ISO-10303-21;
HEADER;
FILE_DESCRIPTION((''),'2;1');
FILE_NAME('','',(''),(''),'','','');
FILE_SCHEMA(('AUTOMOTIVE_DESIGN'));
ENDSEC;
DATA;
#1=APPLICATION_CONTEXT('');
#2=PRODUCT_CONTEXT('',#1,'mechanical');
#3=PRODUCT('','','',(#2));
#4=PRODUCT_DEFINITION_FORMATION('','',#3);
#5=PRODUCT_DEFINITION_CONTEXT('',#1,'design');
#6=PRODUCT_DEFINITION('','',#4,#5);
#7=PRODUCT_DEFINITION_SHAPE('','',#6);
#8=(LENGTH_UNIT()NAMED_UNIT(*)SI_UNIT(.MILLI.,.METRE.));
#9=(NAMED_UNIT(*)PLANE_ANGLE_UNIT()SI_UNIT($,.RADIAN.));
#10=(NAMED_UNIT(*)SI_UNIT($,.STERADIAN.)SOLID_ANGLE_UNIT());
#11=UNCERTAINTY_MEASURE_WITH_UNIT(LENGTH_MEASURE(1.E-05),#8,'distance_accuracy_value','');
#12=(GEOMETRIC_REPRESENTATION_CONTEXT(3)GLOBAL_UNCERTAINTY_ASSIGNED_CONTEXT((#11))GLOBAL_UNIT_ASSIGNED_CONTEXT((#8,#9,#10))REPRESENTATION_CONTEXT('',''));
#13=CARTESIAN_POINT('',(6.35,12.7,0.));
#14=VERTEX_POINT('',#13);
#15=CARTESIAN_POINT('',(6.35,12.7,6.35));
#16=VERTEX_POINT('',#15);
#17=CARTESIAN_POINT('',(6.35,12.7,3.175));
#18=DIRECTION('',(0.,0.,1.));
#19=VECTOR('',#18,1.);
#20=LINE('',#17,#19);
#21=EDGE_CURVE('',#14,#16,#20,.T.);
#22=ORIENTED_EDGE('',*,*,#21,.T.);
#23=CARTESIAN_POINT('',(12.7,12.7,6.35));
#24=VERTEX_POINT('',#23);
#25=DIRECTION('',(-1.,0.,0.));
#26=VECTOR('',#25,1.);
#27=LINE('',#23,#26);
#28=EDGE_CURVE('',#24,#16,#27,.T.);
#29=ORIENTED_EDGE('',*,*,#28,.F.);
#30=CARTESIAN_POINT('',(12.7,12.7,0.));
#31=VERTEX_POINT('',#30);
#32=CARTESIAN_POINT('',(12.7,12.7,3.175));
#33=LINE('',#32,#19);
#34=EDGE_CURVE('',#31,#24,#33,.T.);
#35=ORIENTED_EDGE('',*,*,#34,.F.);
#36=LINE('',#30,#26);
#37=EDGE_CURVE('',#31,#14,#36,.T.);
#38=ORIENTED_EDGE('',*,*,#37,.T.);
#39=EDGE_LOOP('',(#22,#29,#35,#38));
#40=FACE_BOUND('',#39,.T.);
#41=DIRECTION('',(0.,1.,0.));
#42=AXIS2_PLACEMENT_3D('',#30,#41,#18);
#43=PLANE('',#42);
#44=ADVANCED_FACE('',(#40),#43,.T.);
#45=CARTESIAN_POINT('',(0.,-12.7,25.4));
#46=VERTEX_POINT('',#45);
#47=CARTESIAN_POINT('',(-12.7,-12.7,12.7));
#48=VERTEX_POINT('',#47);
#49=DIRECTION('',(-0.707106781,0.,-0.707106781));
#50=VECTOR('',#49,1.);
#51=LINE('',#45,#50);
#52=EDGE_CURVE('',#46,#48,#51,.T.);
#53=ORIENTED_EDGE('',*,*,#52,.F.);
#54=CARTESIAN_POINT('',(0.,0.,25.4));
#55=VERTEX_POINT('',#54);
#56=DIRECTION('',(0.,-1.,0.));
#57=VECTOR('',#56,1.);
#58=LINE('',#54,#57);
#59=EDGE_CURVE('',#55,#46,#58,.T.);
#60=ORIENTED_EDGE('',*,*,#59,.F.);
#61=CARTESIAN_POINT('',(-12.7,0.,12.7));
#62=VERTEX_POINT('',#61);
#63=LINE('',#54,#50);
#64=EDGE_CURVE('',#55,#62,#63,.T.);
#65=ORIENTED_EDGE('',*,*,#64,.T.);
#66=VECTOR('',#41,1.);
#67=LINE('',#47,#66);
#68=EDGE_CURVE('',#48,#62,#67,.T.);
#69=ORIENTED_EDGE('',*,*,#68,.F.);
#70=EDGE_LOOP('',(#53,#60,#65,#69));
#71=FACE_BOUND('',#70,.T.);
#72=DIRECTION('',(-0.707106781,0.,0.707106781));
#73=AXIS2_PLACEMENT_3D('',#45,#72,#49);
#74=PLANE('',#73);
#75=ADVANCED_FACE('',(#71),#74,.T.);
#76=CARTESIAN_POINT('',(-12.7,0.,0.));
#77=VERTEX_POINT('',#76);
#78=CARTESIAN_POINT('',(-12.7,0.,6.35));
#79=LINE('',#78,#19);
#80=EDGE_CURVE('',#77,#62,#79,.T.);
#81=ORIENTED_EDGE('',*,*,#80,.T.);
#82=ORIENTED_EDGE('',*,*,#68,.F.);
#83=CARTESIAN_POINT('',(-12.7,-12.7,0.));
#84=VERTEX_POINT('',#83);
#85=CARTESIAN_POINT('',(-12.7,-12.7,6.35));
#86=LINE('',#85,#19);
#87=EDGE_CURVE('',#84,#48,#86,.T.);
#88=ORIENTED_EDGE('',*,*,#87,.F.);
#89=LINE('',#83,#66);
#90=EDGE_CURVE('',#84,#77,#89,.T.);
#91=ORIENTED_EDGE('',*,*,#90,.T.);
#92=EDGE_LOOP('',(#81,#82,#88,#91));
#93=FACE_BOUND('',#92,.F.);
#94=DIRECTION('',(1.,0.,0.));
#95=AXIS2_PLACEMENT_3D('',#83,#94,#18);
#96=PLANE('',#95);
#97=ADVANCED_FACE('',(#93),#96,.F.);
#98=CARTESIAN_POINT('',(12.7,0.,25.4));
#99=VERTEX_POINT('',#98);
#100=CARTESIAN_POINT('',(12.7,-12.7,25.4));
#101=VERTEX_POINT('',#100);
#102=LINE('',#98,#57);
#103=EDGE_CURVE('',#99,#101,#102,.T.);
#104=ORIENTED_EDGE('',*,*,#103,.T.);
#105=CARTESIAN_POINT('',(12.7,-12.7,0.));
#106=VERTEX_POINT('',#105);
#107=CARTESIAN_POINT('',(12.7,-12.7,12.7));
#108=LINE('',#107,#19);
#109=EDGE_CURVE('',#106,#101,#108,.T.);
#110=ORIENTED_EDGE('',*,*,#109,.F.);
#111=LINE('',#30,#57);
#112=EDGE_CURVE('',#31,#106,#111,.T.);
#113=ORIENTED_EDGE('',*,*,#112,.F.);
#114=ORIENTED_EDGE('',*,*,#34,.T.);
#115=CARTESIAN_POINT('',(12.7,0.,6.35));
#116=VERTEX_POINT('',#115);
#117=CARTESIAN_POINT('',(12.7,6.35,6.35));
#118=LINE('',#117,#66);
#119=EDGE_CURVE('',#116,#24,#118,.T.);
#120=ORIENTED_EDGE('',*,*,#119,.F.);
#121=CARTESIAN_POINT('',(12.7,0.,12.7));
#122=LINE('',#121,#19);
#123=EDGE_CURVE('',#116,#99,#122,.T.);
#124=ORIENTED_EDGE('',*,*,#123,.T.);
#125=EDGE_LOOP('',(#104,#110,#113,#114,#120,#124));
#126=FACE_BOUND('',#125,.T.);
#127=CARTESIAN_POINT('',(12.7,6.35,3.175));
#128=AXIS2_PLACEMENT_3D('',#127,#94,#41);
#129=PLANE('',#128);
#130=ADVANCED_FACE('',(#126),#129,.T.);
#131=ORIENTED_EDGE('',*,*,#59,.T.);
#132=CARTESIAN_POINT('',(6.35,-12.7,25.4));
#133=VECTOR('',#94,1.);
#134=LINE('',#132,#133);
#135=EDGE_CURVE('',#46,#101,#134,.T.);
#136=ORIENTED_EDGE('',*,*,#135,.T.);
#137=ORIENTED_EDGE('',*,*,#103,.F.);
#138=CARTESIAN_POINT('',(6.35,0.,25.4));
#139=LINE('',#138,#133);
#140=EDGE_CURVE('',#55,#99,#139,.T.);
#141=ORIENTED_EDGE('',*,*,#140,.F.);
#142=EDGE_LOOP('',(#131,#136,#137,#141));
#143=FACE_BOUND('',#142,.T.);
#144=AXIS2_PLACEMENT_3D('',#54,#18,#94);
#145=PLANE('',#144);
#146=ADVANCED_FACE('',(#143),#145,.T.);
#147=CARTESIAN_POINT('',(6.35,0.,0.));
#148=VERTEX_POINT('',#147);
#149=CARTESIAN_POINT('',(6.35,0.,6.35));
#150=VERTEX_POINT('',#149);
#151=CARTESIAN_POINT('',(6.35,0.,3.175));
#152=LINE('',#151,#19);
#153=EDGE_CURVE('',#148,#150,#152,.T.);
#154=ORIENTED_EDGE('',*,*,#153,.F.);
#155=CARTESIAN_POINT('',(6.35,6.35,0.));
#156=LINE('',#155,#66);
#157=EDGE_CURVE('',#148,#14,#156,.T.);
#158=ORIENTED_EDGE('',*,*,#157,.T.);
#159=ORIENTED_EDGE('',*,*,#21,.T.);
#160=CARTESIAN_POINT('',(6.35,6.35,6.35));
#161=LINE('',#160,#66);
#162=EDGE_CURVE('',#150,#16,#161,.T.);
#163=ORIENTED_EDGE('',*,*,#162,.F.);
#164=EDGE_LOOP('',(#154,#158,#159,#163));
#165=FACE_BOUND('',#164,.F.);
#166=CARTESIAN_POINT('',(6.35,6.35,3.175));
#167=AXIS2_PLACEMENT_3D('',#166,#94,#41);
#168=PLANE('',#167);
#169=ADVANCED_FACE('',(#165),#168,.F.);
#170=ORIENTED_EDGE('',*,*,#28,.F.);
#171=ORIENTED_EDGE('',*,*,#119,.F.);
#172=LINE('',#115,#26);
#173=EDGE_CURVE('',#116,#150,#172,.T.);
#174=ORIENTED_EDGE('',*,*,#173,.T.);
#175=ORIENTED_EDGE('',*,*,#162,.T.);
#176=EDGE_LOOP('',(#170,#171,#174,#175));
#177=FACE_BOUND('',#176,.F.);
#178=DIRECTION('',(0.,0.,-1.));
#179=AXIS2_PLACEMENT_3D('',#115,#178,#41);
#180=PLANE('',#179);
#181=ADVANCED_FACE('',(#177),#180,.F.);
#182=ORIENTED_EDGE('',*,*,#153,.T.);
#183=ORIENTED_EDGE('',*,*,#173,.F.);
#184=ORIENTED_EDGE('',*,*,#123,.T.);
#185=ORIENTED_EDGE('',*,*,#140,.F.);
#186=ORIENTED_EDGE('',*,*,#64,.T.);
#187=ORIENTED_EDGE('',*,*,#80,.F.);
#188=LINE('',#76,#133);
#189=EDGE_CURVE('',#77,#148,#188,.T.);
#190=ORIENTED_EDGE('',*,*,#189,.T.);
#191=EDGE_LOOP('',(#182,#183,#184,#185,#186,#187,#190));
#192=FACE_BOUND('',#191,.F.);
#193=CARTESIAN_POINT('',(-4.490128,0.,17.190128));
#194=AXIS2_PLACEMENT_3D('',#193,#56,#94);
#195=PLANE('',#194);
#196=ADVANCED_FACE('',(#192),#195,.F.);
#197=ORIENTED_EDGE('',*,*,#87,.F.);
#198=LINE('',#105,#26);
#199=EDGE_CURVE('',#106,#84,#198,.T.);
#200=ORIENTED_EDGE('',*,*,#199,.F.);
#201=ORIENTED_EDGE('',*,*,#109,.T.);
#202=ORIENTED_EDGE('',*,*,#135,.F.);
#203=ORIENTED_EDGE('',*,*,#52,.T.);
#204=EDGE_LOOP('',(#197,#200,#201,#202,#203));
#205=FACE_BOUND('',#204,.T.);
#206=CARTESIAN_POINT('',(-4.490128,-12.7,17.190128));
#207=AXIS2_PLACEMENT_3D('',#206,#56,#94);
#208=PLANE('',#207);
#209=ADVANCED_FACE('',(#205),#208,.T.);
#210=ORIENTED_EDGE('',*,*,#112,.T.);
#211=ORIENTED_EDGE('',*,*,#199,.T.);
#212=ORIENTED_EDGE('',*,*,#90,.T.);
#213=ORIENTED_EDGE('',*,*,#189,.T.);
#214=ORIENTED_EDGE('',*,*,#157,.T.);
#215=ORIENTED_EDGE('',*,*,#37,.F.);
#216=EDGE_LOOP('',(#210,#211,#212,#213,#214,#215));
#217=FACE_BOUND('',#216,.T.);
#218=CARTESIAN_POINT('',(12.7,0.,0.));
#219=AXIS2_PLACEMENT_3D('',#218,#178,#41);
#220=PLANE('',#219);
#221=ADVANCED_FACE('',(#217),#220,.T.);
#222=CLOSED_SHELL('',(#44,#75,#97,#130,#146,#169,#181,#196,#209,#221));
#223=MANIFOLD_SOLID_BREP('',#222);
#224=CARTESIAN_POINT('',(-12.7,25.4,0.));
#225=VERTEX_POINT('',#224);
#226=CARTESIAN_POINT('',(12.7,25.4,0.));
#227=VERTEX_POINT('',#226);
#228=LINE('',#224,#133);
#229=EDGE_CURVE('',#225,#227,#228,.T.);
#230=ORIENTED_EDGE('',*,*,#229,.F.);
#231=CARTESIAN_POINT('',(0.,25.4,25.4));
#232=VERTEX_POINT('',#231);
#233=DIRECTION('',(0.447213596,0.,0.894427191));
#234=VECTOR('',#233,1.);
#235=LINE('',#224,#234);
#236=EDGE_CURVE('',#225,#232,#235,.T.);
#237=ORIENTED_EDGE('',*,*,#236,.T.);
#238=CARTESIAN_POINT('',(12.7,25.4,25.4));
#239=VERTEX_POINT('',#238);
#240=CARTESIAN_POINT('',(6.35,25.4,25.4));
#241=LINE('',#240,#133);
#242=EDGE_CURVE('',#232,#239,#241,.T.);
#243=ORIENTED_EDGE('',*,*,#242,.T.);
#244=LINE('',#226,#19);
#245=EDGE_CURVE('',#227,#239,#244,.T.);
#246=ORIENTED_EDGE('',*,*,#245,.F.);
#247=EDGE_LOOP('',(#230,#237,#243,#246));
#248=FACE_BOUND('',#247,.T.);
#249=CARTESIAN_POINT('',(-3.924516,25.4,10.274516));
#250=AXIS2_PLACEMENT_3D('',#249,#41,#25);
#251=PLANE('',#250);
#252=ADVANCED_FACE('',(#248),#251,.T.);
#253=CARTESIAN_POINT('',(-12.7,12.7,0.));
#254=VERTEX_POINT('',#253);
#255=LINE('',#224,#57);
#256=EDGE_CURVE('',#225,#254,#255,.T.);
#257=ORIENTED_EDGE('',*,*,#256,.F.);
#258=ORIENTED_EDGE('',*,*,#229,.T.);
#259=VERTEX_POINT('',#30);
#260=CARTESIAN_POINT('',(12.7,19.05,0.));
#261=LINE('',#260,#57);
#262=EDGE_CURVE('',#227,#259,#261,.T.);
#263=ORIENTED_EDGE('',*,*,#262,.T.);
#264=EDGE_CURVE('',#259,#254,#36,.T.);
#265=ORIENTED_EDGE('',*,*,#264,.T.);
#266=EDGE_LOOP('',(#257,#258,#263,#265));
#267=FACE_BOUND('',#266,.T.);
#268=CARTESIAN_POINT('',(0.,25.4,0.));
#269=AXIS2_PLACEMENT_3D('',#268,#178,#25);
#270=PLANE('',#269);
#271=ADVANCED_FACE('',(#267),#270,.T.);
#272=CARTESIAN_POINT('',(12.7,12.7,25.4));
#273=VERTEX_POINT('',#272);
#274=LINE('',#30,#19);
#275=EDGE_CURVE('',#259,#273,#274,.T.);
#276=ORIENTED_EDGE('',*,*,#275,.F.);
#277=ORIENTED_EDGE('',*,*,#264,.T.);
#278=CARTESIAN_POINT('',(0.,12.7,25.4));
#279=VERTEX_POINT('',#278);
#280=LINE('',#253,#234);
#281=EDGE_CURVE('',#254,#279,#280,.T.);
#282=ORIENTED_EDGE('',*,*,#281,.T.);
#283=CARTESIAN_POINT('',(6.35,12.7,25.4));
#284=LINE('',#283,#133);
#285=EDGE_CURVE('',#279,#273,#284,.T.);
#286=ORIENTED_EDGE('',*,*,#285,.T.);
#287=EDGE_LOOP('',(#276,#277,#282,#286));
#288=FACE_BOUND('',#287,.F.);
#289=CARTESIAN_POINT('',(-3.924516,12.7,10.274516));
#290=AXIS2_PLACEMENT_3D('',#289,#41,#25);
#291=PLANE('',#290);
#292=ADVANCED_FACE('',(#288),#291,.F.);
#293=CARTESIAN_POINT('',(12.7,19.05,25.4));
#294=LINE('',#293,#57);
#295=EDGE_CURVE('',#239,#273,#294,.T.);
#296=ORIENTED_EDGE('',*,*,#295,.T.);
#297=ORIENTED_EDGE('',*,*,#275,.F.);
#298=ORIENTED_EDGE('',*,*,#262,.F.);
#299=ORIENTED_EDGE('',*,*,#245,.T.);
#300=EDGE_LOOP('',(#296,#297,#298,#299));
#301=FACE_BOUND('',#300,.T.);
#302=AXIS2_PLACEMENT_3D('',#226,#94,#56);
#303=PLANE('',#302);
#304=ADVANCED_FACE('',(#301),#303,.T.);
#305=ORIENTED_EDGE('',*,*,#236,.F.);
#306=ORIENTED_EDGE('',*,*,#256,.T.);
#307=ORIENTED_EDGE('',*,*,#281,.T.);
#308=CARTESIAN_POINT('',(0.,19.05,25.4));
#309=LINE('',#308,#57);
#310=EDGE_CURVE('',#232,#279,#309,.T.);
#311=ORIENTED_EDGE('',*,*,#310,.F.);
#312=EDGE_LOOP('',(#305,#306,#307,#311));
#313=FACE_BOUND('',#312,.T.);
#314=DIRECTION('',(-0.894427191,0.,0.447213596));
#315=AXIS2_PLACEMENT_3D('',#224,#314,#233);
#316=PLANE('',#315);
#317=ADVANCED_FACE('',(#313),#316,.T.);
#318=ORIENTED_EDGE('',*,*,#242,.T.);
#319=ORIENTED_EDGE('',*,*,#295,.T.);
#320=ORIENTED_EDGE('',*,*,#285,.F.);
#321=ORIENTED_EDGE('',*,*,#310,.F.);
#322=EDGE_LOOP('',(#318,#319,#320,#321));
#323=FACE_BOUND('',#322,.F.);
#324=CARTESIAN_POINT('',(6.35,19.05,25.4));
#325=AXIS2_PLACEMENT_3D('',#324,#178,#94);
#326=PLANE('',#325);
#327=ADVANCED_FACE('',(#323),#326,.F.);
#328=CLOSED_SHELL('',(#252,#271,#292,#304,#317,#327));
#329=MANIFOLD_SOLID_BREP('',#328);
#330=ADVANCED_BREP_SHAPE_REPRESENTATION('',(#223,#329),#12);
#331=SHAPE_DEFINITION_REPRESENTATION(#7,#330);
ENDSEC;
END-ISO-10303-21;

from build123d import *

# Parameters (mm, degrees)
F0_W      = 12.7
F0_H      = 25.4
F1_DEPTH  = 12.7
F2_W      = 12.7
F2_H      = 12.7
F3_DEPTH  = 12.7
F5_DEPTH  = 12.7
F6_W      = 12.7
F6_H      = 6.35
F7_DEPTH  = 6.35
F8_W      = 12.7
F8_H      = 12.7
F9_DEPTH  = 25.4
F11_DEPTH = 12.7


with BuildPart() as f1:
    # F0 (on Front) → F1 (new body)
    with BuildSketch(Plane.XZ):
        with Locations((6.35, 12.7)):
            Rectangle(F0_W, F0_H)
    extrude(amount=F1_DEPTH)

    # F2 (on face) → F3 (join)
    with BuildSketch(Plane.XZ.offset(12.7)):
        with Locations((-6.35, 6.35)):
            Rectangle(F2_W, F2_H)
    extrude(amount=-F3_DEPTH)

    # F4 (on face) → F5 (join)
    with BuildSketch(Plane.XZ.offset(12.7)):
        Polygon((0, 25.4), (-12.7, 12.7), (0, 12.7), align=None)
    extrude(amount=-F5_DEPTH)

    # F6 (on face) → F7 (join)
    with BuildSketch(Plane.YZ.offset(12.7)):
        with Locations((6.35, 3.175)):
            Rectangle(F6_W, F6_H)
    extrude(amount=-F7_DEPTH)


with BuildPart() as f9:
    # F8 (on face) → F9 (new body)
    with BuildSketch(Plane(origin=(0, 0, 0), x_dir=(1, 0, 0), z_dir=(0, 0, -1))):
        with Locations((6.35, -19.05)):
            Rectangle(F8_W, F8_H)
    extrude(amount=-F9_DEPTH)

    # F10 (on face) → F11 (join)
    with BuildSketch(Plane(origin=(0, 25.4, 0), x_dir=(-1, 0, 0), z_dir=(0, 1, 0))):
        Polygon((0, 25.4), (0, 0), (12.7, 0), align=None)
    extrude(amount=-F11_DEPTH)


solid = Compound([f1.part, f9.part])
